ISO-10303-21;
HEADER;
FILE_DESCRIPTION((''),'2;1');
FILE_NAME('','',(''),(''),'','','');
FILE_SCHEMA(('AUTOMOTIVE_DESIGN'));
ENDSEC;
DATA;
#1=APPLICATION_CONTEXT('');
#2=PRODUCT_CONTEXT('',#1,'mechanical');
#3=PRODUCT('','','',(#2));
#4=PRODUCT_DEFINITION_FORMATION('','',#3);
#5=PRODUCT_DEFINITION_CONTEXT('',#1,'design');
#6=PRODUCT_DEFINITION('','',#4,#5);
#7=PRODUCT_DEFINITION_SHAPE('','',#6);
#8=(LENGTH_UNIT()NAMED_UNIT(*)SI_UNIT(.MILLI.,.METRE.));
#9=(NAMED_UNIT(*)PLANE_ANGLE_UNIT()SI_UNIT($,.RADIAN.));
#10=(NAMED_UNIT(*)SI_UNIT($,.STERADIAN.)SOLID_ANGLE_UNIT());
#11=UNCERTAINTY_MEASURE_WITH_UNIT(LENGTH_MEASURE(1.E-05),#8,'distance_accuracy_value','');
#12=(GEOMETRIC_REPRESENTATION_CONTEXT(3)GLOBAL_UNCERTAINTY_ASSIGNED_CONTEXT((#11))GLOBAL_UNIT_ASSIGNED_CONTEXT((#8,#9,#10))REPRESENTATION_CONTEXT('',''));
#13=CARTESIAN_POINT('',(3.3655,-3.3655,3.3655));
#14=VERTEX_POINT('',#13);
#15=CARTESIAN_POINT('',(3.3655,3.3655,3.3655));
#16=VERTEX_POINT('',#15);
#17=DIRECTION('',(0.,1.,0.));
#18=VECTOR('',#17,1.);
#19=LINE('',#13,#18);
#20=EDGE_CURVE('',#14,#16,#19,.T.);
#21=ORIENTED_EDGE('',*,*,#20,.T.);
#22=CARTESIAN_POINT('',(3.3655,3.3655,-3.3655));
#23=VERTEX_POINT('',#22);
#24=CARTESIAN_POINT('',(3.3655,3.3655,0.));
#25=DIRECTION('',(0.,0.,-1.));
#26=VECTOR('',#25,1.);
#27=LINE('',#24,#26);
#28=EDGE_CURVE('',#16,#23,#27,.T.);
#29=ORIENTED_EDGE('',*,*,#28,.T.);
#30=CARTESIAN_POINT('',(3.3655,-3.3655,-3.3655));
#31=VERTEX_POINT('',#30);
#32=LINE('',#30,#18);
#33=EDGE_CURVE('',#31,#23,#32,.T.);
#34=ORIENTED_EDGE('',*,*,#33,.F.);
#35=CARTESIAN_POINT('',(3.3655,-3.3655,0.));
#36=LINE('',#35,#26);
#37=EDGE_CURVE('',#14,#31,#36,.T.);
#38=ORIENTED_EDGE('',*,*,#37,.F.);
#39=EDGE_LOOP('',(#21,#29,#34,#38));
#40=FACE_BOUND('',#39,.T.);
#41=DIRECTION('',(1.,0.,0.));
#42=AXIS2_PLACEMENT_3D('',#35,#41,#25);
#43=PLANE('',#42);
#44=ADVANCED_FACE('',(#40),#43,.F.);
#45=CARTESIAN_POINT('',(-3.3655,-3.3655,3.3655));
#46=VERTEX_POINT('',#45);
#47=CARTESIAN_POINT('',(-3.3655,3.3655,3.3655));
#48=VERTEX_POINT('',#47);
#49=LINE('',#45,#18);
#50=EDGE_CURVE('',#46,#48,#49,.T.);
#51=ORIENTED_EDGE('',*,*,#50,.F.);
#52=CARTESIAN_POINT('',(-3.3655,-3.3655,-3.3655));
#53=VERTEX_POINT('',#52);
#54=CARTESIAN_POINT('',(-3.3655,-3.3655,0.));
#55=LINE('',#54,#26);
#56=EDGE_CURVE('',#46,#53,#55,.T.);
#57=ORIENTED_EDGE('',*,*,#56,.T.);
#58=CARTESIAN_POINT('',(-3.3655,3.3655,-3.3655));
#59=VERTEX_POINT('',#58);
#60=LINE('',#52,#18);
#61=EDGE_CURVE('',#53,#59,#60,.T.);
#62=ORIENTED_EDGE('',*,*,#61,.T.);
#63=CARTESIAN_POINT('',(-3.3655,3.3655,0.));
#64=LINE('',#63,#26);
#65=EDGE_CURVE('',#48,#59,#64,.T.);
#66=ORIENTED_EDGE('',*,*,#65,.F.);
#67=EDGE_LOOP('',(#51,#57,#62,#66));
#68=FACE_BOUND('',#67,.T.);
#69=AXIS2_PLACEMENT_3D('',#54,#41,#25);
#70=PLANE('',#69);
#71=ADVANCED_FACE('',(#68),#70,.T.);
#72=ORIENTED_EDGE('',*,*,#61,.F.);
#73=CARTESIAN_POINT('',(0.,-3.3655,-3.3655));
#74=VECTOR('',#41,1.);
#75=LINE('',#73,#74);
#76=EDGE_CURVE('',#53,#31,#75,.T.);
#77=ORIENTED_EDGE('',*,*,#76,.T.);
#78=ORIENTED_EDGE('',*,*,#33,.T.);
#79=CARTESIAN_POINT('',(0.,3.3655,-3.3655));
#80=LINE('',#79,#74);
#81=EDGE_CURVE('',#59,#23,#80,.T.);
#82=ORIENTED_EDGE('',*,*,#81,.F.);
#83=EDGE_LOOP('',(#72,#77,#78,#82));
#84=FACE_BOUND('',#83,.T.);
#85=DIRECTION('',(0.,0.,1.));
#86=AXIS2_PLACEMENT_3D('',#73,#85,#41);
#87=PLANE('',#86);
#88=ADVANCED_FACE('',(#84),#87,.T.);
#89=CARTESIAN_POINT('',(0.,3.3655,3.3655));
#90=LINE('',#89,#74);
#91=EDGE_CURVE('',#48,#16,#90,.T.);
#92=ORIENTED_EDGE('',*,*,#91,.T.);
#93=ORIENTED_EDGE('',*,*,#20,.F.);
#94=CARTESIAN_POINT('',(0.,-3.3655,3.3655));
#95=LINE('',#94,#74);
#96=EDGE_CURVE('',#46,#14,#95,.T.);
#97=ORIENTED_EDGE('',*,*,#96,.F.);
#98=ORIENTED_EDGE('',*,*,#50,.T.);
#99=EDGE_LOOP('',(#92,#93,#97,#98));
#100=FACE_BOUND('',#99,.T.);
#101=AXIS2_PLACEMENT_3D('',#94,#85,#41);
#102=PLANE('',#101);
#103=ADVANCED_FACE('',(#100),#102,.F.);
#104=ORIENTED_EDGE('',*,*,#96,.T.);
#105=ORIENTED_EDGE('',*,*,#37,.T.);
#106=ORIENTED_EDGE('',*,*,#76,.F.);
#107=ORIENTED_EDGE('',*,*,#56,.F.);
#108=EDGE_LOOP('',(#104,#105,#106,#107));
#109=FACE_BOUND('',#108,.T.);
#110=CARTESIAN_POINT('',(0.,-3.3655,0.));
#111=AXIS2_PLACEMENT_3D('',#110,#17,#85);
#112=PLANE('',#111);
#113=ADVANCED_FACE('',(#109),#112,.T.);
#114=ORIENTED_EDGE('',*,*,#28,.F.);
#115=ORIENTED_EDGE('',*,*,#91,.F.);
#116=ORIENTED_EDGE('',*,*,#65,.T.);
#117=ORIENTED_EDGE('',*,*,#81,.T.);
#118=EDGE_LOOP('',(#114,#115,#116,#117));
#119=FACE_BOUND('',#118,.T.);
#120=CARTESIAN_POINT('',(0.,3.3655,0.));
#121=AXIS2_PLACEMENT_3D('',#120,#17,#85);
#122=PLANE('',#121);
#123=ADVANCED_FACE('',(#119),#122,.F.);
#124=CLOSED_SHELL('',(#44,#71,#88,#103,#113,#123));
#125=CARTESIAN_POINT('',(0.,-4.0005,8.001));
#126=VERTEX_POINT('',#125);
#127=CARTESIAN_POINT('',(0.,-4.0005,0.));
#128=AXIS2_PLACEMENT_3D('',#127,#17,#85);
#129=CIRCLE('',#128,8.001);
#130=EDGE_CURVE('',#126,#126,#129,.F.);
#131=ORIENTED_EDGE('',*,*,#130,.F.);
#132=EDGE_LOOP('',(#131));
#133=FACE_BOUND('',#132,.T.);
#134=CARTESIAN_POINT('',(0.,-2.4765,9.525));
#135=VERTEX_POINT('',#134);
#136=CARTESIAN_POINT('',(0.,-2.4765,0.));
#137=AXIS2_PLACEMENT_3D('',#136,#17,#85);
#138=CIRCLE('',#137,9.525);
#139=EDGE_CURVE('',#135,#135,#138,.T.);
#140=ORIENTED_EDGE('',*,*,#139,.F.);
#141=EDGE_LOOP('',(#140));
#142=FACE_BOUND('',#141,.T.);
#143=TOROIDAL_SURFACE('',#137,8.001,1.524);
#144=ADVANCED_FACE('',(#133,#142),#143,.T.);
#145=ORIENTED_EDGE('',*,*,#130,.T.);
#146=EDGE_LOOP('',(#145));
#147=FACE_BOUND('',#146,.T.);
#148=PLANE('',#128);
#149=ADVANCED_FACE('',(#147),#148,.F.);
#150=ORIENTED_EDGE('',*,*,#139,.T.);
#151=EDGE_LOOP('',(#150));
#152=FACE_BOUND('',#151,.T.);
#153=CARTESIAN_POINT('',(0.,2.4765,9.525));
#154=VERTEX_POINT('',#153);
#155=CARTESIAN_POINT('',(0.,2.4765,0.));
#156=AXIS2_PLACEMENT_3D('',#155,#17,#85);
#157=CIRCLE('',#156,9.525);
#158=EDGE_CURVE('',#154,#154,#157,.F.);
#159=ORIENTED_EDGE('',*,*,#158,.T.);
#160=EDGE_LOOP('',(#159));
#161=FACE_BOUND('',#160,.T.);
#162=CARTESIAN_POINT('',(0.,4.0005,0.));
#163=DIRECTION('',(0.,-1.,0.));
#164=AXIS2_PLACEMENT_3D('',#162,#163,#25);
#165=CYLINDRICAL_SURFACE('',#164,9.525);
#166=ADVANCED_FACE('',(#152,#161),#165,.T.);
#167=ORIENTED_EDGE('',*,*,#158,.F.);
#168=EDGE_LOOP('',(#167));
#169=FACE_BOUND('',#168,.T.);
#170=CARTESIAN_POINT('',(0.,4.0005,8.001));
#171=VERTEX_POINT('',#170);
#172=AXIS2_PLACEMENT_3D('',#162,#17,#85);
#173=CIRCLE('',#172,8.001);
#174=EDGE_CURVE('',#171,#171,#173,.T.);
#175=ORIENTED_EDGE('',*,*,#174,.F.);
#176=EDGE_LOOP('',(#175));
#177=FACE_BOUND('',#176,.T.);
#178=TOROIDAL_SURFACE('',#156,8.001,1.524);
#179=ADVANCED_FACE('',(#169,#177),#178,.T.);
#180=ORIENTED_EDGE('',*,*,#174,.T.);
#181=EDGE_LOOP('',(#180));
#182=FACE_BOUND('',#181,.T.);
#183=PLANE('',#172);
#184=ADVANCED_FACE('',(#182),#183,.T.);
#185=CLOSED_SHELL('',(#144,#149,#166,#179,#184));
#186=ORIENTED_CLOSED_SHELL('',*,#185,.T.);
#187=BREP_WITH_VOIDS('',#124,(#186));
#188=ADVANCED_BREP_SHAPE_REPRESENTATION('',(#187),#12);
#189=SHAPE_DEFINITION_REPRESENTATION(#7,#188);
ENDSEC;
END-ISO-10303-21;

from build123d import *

# Parameters (mm, degrees)
SKETCH1_R           = 9.525
BOSS_EXTRUDE1_DEPTH = 4.0005
SKETCH1_3_W         = 6.731
SKETCH1_3_H         = 6.731
CUT_EXTRUDE1_DEPTH  = 3.3655
FILLET1_R           = 1.524


with BuildPart() as part:
    # Sketch1 → Boss-Extrude1 (new, symmetric)
    with BuildSketch(Plane(origin=(0, 0, 0), x_dir=(1, 0, 0), z_dir=(0, 1, 0))):
        Circle(SKETCH1_R)
    extrude(amount=BOSS_EXTRUDE1_DEPTH, both=True)

    # Sketch1<3> → Cut-Extrude1 (cut, symmetric)
    with BuildSketch(Plane(origin=(0, 0, 0), x_dir=(1, 0, 0), z_dir=(0, 1, 0))):
        Rectangle(SKETCH1_3_W, SKETCH1_3_H)
    extrude(amount=CUT_EXTRUDE1_DEPTH, both=True, mode=Mode.SUBTRACT)

    # Fillet1
    fillet1_edges = [part.edges().sort_by_distance(p)[0] for p in [
        (-9.525, 4.0005, 0),
        (-9.525, -4.0005, 0),
    ]]
    fillet(fillet1_edges, radius=FILLET1_R)


solid = part.part
